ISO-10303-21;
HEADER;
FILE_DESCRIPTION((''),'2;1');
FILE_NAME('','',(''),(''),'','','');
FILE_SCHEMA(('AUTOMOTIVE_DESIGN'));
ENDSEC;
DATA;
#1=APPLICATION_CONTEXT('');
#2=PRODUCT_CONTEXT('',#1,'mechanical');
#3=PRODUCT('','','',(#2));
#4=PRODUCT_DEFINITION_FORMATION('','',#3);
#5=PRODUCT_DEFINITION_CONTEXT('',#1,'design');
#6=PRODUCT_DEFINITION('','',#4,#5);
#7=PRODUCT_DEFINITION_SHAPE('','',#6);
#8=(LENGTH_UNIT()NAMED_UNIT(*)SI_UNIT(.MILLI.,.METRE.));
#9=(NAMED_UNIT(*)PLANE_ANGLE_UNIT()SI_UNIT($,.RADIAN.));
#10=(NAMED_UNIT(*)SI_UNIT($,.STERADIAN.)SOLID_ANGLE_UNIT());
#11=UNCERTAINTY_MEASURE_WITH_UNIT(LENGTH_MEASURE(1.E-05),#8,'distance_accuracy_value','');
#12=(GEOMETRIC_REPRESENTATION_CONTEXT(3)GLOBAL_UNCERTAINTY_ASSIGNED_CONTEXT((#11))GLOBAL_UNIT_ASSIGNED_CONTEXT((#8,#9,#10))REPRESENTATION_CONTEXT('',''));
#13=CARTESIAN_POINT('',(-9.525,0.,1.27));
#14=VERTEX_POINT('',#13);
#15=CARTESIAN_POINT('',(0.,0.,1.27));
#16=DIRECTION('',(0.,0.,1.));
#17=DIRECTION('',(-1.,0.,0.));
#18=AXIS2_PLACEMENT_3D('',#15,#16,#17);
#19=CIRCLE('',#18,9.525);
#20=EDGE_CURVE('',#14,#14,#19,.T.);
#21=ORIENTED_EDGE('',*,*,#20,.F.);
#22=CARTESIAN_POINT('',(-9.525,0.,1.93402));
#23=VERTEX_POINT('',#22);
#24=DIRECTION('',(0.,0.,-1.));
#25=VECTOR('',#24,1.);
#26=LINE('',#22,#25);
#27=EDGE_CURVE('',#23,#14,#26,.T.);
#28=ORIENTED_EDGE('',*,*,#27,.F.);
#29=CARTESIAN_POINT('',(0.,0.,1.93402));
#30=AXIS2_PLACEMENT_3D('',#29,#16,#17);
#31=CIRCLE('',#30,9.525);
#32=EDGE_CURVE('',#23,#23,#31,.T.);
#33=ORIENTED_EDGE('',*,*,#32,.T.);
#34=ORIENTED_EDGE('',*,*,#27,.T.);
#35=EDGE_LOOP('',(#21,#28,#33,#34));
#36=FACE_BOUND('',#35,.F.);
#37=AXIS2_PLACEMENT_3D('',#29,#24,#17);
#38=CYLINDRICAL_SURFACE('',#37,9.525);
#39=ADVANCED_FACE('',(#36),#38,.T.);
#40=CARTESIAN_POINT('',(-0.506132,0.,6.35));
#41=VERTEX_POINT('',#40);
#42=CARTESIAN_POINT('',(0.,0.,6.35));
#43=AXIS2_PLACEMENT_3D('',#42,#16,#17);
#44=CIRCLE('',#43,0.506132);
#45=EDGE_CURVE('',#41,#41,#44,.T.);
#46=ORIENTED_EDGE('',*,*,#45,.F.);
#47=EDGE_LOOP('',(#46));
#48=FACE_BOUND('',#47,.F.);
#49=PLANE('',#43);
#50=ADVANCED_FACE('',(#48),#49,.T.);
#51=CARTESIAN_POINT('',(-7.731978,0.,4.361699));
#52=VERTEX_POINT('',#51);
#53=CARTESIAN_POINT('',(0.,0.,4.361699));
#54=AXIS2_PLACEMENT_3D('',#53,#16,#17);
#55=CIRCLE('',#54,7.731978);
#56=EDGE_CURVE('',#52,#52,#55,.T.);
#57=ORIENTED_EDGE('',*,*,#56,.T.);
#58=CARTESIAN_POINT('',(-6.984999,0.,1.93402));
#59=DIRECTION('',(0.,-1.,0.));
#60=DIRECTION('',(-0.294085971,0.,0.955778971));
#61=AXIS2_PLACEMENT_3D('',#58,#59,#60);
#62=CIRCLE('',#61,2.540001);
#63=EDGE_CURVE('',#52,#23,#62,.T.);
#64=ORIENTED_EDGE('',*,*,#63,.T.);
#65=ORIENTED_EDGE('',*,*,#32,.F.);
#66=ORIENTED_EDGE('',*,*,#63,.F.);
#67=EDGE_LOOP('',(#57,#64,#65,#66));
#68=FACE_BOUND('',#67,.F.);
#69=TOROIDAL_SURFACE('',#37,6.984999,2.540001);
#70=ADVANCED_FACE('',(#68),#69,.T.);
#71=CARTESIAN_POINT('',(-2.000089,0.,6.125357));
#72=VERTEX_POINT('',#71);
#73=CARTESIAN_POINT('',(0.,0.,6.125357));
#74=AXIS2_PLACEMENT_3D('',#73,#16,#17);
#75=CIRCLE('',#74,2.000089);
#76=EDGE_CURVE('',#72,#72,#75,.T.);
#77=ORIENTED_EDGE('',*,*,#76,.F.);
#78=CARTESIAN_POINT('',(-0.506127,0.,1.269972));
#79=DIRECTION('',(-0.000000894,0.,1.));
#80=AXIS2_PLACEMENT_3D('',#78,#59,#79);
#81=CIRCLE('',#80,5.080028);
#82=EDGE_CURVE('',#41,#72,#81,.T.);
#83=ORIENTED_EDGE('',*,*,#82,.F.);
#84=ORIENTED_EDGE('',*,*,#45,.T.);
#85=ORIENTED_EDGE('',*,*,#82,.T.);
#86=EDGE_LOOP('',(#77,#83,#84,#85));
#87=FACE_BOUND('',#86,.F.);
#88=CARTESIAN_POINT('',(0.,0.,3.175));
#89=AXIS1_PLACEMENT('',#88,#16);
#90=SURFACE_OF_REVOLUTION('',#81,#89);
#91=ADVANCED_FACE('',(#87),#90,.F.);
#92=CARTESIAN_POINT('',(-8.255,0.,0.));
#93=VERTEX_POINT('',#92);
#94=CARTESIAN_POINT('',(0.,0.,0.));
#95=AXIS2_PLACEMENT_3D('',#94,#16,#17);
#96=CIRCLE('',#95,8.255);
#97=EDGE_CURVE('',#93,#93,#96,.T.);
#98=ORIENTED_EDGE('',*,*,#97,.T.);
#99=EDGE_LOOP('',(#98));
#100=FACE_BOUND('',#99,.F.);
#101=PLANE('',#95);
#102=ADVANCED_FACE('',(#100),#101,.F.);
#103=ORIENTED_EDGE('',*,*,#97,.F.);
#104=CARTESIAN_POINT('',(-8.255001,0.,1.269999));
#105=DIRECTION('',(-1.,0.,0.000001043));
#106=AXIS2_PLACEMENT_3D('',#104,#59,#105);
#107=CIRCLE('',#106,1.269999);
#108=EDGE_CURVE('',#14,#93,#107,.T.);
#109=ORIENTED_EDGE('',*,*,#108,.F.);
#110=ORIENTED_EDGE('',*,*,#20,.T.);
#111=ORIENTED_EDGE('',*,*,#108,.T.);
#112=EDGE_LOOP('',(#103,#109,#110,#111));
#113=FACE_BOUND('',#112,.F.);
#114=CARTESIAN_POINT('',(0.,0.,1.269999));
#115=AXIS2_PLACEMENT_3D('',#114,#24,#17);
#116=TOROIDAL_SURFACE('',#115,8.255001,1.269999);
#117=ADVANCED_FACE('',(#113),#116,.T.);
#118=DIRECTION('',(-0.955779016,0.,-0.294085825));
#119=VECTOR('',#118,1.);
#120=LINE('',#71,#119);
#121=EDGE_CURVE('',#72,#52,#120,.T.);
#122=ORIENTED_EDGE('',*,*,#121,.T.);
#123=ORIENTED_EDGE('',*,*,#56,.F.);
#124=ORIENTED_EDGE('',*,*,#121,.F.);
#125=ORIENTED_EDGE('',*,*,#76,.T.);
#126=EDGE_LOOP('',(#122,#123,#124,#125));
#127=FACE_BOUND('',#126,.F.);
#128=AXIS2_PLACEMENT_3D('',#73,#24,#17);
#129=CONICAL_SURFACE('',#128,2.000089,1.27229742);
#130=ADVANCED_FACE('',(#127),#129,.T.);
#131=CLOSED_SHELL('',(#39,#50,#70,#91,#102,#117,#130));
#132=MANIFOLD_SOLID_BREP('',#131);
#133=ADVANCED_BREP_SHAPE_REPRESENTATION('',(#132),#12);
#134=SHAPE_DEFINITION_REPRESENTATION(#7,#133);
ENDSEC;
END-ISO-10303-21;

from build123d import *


with BuildPart() as f1:
    # F0 (on Front) → F1 (revolve)
    with BuildSketch(Plane.XZ):
        with BuildLine():
            Line((-8.255, 0), (0, 0))
            Line((0, 0), (0, 6.35))
            Line((0, 6.35), (-0.506132, 6.35))
            ThreePointArc((-0.506132, 6.35), (-1.261508, 6.293525), (-2.000089, 6.125357))
            Line((-2.000089, 6.125357), (-7.731978, 4.361699))
            ThreePointArc((-7.731978, 4.361699), (-9.02815, 3.443039), (-9.525, 1.93402))
            Line((-9.525, 1.93402), (-9.525, 1.27))
            ThreePointArc((-9.525, 1.27), (-9.153026, 0.371974), (-8.255, 0))
        make_face()
    revolve(axis=Axis((0, 0, 3.175), (0, 0, 1)))


solid = f1.part
